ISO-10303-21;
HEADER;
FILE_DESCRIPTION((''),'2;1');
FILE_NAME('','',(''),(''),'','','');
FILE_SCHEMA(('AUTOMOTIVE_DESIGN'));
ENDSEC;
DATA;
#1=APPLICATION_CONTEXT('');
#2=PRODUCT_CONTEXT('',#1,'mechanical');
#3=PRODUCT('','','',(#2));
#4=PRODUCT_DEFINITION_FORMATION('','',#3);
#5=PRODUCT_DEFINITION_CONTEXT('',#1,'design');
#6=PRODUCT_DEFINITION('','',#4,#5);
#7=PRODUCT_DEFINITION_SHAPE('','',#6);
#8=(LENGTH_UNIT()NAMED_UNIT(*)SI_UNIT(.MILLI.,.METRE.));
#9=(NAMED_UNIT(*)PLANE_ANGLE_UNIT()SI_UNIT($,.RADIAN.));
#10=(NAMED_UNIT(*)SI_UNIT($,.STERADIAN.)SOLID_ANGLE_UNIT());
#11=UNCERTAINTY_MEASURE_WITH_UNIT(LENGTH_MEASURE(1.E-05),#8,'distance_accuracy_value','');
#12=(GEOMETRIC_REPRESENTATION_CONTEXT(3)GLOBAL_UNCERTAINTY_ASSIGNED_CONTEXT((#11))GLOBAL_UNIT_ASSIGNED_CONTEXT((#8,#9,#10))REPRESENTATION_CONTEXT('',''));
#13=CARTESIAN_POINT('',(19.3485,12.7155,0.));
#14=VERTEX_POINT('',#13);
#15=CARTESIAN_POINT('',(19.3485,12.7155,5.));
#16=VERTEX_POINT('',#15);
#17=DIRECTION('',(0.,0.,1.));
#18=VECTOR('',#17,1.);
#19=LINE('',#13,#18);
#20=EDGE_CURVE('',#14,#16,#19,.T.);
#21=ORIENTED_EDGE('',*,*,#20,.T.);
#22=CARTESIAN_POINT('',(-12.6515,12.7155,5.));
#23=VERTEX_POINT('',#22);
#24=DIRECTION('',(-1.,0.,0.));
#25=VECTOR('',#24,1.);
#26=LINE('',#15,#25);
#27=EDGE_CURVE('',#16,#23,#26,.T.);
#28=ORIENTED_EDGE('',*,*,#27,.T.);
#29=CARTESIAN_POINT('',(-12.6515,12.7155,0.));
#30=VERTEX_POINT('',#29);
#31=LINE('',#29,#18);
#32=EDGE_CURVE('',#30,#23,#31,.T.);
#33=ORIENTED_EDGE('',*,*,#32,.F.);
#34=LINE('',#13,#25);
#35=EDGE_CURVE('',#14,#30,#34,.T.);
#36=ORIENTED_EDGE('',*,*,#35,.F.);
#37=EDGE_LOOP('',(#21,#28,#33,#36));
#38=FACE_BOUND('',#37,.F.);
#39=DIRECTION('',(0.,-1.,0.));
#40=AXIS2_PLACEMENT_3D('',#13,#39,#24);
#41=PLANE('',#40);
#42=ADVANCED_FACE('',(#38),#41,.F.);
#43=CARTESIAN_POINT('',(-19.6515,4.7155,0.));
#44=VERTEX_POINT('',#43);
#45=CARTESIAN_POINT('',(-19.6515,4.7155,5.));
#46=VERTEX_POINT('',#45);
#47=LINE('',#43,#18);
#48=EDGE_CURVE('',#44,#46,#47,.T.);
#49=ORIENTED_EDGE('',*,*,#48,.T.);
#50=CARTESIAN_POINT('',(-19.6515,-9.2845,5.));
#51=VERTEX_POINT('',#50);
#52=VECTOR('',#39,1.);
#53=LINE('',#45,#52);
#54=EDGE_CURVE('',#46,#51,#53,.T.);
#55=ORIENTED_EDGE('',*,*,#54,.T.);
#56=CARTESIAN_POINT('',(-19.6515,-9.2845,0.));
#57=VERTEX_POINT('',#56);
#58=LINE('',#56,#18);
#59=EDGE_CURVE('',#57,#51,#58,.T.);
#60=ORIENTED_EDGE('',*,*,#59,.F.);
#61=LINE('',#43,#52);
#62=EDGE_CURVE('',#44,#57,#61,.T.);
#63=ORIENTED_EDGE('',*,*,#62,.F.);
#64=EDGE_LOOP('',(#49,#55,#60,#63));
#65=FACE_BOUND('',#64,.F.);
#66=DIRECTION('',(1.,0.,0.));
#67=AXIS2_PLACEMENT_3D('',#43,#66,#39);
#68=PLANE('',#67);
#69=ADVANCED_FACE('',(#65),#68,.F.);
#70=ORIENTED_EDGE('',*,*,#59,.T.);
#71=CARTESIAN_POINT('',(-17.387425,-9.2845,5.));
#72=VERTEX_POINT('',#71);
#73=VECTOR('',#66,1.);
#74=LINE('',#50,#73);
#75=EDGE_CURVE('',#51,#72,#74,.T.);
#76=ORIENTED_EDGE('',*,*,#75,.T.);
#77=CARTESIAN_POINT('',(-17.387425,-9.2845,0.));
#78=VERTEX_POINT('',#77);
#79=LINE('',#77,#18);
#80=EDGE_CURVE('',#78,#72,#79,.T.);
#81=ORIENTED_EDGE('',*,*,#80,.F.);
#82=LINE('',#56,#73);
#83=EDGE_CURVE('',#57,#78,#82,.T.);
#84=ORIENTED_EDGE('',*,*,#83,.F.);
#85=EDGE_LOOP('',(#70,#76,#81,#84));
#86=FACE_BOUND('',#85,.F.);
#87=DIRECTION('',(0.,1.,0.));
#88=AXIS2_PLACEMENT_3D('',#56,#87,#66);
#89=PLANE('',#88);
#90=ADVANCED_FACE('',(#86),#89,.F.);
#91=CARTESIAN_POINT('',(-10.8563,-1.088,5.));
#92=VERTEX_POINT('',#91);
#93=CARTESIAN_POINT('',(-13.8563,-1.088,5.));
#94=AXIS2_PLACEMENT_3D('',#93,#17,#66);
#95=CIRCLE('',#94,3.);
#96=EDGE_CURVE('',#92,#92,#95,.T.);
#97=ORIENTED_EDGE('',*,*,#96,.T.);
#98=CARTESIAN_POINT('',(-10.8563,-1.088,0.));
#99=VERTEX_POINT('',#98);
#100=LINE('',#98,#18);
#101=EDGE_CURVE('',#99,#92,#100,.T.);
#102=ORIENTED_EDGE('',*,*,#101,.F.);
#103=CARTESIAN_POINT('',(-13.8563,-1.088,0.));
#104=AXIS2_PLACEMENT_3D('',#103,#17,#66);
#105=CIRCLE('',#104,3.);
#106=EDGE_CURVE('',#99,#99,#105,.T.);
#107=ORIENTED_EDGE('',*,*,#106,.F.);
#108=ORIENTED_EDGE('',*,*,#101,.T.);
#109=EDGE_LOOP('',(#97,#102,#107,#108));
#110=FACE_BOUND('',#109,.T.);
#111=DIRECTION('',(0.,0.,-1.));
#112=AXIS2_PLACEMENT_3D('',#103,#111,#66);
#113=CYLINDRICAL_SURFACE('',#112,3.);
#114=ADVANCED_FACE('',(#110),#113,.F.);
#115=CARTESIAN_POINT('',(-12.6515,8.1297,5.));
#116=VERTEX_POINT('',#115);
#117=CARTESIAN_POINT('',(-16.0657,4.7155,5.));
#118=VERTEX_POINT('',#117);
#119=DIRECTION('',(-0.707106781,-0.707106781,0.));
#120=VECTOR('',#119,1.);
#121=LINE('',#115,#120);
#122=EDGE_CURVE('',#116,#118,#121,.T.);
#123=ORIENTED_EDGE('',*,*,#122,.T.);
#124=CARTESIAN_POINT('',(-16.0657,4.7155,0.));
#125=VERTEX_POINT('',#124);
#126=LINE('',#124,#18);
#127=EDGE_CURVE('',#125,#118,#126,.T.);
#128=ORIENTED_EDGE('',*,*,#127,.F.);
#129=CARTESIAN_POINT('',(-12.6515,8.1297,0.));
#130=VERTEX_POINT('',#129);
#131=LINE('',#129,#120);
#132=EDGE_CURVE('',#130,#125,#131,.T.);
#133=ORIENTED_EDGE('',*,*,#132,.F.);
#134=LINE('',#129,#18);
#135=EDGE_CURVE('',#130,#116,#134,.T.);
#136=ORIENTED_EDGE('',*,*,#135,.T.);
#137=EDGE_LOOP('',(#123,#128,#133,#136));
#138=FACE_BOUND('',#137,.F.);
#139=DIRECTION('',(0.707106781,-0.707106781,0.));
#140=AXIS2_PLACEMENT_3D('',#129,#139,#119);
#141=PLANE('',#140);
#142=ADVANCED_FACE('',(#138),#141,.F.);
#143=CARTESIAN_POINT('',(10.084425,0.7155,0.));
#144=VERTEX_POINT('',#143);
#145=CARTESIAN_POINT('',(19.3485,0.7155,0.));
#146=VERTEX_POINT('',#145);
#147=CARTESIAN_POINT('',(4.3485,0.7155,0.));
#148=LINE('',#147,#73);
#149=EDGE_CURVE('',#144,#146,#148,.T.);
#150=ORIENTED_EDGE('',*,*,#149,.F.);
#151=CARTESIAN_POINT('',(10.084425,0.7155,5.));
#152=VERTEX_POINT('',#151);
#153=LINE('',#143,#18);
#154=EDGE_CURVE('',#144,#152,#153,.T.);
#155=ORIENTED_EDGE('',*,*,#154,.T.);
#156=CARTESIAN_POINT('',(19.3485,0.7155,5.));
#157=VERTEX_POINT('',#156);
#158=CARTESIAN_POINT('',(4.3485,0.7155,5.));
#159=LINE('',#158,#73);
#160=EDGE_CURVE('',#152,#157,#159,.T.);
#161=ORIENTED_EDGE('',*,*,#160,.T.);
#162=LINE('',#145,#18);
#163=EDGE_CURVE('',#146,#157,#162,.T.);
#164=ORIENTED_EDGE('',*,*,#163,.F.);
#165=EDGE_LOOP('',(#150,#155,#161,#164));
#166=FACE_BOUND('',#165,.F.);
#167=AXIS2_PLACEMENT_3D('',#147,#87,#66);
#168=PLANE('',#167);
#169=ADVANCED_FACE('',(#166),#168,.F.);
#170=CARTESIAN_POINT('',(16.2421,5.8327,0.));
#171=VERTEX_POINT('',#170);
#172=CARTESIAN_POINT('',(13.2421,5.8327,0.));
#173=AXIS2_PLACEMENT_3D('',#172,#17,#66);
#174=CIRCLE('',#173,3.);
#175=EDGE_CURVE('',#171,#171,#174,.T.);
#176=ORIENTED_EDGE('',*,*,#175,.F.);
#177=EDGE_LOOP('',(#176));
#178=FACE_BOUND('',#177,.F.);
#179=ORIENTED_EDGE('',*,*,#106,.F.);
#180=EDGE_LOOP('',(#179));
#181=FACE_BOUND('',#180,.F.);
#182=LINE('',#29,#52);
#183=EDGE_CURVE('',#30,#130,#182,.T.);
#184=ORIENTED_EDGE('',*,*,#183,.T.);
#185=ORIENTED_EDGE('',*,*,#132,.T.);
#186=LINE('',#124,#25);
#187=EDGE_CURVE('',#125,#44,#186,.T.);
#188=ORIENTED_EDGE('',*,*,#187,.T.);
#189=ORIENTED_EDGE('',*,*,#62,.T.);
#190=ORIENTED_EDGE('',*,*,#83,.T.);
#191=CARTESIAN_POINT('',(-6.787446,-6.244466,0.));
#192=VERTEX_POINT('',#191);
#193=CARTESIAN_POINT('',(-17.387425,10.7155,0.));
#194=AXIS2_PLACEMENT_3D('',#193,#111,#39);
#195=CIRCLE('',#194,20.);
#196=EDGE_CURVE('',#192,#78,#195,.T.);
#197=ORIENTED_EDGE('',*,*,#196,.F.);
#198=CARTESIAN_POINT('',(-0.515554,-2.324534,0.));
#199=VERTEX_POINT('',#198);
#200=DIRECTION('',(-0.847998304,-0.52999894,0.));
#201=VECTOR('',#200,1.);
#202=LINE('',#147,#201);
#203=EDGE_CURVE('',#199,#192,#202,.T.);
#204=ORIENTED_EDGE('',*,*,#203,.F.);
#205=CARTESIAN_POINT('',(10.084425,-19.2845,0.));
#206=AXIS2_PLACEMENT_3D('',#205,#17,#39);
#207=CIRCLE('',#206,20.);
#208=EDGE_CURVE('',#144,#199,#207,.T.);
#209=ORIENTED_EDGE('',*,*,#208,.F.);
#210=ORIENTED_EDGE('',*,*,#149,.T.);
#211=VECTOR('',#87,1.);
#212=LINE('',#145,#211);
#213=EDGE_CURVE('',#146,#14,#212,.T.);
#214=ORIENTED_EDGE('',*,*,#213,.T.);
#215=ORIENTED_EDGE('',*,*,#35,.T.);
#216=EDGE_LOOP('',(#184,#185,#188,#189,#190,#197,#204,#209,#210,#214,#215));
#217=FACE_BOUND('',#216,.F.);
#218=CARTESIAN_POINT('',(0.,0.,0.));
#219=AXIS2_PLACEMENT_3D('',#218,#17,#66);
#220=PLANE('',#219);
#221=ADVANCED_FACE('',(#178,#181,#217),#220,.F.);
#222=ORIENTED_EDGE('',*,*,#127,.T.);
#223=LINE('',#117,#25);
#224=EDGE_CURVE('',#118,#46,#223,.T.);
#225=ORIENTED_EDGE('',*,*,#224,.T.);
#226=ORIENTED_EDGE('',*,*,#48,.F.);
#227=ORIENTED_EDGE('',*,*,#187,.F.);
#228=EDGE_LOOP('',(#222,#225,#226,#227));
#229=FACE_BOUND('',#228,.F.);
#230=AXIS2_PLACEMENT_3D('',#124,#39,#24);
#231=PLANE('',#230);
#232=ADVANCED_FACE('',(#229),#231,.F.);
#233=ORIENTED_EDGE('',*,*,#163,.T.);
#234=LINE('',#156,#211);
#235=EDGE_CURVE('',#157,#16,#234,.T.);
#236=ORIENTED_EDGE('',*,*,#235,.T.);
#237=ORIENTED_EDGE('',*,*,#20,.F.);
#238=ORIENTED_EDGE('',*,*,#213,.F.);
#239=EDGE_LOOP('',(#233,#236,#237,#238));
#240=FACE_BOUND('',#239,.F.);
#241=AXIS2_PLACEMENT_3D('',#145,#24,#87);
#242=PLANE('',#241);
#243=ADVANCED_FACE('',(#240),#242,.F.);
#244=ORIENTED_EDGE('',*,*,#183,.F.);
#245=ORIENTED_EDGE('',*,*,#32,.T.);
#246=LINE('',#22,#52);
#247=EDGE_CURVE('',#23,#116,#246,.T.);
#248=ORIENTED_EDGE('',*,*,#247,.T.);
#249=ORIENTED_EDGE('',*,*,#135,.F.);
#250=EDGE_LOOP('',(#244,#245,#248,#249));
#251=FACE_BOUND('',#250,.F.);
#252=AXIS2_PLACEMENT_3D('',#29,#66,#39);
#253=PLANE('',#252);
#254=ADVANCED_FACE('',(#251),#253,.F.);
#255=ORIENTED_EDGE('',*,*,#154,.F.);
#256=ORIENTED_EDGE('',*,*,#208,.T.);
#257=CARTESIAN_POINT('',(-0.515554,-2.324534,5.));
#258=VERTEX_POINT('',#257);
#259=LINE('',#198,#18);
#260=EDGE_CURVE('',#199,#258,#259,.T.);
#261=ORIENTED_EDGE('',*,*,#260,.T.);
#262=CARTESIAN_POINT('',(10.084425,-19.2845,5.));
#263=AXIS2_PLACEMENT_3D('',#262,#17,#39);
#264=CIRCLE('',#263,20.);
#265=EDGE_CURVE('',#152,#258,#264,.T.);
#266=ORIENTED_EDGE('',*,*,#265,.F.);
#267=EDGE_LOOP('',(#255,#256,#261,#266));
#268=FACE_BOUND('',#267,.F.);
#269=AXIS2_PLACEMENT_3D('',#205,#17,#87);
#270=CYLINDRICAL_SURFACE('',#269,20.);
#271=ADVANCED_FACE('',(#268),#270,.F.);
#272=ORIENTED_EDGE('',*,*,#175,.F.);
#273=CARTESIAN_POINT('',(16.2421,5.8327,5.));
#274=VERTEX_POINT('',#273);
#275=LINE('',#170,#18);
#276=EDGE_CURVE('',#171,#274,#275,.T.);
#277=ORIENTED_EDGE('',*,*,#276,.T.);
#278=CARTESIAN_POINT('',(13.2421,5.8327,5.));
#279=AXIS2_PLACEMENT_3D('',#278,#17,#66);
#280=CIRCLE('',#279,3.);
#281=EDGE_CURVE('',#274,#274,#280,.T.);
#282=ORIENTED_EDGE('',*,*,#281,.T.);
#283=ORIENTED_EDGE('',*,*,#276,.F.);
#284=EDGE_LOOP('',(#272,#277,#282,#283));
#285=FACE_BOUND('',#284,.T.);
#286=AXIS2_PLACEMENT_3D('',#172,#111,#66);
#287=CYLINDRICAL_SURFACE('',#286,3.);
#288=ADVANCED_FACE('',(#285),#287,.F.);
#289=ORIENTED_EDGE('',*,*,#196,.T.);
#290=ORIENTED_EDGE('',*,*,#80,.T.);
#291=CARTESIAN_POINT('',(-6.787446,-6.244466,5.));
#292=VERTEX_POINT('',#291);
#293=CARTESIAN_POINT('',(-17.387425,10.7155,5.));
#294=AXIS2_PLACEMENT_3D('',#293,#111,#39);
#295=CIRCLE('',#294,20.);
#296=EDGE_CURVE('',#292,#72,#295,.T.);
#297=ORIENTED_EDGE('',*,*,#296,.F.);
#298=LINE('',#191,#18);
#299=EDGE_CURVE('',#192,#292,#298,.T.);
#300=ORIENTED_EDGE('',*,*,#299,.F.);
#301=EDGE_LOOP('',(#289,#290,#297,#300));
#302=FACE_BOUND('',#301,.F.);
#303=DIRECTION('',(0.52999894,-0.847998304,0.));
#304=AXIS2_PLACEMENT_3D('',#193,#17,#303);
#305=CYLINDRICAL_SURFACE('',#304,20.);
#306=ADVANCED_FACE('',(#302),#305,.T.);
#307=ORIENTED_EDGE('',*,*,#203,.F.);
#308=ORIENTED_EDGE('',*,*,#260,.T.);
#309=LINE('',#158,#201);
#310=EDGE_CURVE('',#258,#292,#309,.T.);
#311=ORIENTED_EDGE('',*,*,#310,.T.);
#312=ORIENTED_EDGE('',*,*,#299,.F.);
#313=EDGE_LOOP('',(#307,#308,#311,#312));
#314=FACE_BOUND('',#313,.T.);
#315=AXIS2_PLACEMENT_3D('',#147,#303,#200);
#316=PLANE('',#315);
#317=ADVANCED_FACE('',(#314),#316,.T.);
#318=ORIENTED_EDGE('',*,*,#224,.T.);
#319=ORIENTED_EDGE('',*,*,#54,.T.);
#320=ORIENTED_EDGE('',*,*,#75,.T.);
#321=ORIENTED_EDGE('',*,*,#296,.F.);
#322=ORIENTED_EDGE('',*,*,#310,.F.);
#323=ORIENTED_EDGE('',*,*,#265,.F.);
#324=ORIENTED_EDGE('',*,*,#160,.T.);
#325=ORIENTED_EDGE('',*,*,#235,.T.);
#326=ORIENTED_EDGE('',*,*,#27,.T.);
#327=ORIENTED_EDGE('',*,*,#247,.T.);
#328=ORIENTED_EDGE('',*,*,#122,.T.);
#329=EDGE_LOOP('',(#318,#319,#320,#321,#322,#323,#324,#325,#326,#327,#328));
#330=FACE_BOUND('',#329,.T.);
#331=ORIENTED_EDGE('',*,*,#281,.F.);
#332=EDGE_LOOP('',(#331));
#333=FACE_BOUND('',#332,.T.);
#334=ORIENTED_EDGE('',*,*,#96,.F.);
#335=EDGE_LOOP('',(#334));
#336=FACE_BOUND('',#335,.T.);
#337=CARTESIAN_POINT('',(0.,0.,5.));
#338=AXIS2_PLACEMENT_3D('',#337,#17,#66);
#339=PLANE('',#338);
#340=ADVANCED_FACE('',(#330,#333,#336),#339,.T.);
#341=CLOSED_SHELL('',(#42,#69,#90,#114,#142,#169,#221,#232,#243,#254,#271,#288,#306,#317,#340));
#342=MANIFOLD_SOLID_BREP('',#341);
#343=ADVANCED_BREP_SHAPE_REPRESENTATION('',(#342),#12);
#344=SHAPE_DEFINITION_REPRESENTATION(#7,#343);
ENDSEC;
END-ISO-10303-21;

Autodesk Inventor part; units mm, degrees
ref_plane "YZ Plane" through (0, 0, 0) normal (1, 0, 0) x (0, 1, 0)
ref_plane "XZ Plane" through (0, 0, 0) normal (0, 1, 0) x (-1, 0, 0)
ref_plane "XY Plane" through (0, 0, 0) normal (0, 0, 1) x (1, 0, 0)
sketch "草图1" plane through (0, 0, 0) normal (0, 0, 1) x (1, 0, 0)
  line L0 (3.3485, 1.7155) -> (3.3485, -8.2845) projected
  line L1 (3.3485, -8.2845) -> (-18.6515, -8.2845) projected
  line L2 (-18.6515, -8.2845) -> (-18.6515, 3.7155) projected
  line L3 (-18.6515, 3.7155) -> (-15.6515, 3.7155) projected
  line L4 (-11.6515, 7.7155) -> (-15.6515, 3.7155) projected
  line L5 (-11.6515, 11.7155) -> (-11.6515, 7.7155) projected
  line L6 (18.3485, 11.7155) -> (-11.6515, 11.7155) projected
  line L7 (18.3485, 1.7155) -> (18.3485, 11.7155) projected
  line L8 (18.3485, 1.7155) -> (3.3485, 1.7155) projected
  circle A0 centre (13.2421, 5.8327) radius 3 projected
  circle A1 centre (-13.8563, -1.088) radius 3 projected
  line L9 (-12.6515, 12.7155) -> (-12.6515, 8.1297)
  line L10 (-12.6515, 8.1297) -> (-16.0657, 4.7155)
  line L11 (-16.0657, 4.7155) -> (-19.6515, 4.7155)
  line L12 (-19.6515, 4.7155) -> (-19.6515, -9.2845)
  line L13 (-19.6515, -9.2845) -> (4.3485, -9.2845)
  line L14 (4.3485, -9.2845) -> (4.3485, 0.7155)
  line L15 (4.3485, 0.7155) -> (19.3485, 0.7155)
  line L16 (19.3485, 0.7155) -> (19.3485, 12.7155)
  line L17 (19.3485, 12.7155) -> (-12.6515, 12.7155)
  dimension "d2" = 1
extrude "拉伸1" add sketch "草图1" along normal blind 5 contours L0 L1 L2 L3 L4 L5 L6 L7 L8 | L17 L16 L15 L14 L13 L12 L11 L10 L9
sketch "草图2" plane through (0, 0, 0) normal (0, 0, -1) x (-1, 0, 0)
  line L0 (3.2234, -5.6845) -> (-9.038, -5.6845) projected
  arc A0 (6.2234, -8.6845) -> (3.2234, -5.6845) centre (3.2234, -8.6845) ccw projected
  line L1 (-4.3485, -9.2845) -> (-4.3485, 0.7155) projected
  line L2 (-4.3485, 0.7155) -> (11.6515, -9.2845)
  line L3 (19.6515, -9.2845) -> (-4.3485, -9.2845) projected
  line L4 (19.6515, 4.7155) -> (19.6515, -9.2845) projected
  point P0 (0, 0)
  dimension "d5" = 8
extrude "拉伸2" cut sketch "草图2" against normal blind 5
fillet "圆角1" radius 20 2 edges at (4.3485, 0.7155, 2.5) (-11.6515, -9.2845, 2.5)
properties part number "阻挡X轴"
